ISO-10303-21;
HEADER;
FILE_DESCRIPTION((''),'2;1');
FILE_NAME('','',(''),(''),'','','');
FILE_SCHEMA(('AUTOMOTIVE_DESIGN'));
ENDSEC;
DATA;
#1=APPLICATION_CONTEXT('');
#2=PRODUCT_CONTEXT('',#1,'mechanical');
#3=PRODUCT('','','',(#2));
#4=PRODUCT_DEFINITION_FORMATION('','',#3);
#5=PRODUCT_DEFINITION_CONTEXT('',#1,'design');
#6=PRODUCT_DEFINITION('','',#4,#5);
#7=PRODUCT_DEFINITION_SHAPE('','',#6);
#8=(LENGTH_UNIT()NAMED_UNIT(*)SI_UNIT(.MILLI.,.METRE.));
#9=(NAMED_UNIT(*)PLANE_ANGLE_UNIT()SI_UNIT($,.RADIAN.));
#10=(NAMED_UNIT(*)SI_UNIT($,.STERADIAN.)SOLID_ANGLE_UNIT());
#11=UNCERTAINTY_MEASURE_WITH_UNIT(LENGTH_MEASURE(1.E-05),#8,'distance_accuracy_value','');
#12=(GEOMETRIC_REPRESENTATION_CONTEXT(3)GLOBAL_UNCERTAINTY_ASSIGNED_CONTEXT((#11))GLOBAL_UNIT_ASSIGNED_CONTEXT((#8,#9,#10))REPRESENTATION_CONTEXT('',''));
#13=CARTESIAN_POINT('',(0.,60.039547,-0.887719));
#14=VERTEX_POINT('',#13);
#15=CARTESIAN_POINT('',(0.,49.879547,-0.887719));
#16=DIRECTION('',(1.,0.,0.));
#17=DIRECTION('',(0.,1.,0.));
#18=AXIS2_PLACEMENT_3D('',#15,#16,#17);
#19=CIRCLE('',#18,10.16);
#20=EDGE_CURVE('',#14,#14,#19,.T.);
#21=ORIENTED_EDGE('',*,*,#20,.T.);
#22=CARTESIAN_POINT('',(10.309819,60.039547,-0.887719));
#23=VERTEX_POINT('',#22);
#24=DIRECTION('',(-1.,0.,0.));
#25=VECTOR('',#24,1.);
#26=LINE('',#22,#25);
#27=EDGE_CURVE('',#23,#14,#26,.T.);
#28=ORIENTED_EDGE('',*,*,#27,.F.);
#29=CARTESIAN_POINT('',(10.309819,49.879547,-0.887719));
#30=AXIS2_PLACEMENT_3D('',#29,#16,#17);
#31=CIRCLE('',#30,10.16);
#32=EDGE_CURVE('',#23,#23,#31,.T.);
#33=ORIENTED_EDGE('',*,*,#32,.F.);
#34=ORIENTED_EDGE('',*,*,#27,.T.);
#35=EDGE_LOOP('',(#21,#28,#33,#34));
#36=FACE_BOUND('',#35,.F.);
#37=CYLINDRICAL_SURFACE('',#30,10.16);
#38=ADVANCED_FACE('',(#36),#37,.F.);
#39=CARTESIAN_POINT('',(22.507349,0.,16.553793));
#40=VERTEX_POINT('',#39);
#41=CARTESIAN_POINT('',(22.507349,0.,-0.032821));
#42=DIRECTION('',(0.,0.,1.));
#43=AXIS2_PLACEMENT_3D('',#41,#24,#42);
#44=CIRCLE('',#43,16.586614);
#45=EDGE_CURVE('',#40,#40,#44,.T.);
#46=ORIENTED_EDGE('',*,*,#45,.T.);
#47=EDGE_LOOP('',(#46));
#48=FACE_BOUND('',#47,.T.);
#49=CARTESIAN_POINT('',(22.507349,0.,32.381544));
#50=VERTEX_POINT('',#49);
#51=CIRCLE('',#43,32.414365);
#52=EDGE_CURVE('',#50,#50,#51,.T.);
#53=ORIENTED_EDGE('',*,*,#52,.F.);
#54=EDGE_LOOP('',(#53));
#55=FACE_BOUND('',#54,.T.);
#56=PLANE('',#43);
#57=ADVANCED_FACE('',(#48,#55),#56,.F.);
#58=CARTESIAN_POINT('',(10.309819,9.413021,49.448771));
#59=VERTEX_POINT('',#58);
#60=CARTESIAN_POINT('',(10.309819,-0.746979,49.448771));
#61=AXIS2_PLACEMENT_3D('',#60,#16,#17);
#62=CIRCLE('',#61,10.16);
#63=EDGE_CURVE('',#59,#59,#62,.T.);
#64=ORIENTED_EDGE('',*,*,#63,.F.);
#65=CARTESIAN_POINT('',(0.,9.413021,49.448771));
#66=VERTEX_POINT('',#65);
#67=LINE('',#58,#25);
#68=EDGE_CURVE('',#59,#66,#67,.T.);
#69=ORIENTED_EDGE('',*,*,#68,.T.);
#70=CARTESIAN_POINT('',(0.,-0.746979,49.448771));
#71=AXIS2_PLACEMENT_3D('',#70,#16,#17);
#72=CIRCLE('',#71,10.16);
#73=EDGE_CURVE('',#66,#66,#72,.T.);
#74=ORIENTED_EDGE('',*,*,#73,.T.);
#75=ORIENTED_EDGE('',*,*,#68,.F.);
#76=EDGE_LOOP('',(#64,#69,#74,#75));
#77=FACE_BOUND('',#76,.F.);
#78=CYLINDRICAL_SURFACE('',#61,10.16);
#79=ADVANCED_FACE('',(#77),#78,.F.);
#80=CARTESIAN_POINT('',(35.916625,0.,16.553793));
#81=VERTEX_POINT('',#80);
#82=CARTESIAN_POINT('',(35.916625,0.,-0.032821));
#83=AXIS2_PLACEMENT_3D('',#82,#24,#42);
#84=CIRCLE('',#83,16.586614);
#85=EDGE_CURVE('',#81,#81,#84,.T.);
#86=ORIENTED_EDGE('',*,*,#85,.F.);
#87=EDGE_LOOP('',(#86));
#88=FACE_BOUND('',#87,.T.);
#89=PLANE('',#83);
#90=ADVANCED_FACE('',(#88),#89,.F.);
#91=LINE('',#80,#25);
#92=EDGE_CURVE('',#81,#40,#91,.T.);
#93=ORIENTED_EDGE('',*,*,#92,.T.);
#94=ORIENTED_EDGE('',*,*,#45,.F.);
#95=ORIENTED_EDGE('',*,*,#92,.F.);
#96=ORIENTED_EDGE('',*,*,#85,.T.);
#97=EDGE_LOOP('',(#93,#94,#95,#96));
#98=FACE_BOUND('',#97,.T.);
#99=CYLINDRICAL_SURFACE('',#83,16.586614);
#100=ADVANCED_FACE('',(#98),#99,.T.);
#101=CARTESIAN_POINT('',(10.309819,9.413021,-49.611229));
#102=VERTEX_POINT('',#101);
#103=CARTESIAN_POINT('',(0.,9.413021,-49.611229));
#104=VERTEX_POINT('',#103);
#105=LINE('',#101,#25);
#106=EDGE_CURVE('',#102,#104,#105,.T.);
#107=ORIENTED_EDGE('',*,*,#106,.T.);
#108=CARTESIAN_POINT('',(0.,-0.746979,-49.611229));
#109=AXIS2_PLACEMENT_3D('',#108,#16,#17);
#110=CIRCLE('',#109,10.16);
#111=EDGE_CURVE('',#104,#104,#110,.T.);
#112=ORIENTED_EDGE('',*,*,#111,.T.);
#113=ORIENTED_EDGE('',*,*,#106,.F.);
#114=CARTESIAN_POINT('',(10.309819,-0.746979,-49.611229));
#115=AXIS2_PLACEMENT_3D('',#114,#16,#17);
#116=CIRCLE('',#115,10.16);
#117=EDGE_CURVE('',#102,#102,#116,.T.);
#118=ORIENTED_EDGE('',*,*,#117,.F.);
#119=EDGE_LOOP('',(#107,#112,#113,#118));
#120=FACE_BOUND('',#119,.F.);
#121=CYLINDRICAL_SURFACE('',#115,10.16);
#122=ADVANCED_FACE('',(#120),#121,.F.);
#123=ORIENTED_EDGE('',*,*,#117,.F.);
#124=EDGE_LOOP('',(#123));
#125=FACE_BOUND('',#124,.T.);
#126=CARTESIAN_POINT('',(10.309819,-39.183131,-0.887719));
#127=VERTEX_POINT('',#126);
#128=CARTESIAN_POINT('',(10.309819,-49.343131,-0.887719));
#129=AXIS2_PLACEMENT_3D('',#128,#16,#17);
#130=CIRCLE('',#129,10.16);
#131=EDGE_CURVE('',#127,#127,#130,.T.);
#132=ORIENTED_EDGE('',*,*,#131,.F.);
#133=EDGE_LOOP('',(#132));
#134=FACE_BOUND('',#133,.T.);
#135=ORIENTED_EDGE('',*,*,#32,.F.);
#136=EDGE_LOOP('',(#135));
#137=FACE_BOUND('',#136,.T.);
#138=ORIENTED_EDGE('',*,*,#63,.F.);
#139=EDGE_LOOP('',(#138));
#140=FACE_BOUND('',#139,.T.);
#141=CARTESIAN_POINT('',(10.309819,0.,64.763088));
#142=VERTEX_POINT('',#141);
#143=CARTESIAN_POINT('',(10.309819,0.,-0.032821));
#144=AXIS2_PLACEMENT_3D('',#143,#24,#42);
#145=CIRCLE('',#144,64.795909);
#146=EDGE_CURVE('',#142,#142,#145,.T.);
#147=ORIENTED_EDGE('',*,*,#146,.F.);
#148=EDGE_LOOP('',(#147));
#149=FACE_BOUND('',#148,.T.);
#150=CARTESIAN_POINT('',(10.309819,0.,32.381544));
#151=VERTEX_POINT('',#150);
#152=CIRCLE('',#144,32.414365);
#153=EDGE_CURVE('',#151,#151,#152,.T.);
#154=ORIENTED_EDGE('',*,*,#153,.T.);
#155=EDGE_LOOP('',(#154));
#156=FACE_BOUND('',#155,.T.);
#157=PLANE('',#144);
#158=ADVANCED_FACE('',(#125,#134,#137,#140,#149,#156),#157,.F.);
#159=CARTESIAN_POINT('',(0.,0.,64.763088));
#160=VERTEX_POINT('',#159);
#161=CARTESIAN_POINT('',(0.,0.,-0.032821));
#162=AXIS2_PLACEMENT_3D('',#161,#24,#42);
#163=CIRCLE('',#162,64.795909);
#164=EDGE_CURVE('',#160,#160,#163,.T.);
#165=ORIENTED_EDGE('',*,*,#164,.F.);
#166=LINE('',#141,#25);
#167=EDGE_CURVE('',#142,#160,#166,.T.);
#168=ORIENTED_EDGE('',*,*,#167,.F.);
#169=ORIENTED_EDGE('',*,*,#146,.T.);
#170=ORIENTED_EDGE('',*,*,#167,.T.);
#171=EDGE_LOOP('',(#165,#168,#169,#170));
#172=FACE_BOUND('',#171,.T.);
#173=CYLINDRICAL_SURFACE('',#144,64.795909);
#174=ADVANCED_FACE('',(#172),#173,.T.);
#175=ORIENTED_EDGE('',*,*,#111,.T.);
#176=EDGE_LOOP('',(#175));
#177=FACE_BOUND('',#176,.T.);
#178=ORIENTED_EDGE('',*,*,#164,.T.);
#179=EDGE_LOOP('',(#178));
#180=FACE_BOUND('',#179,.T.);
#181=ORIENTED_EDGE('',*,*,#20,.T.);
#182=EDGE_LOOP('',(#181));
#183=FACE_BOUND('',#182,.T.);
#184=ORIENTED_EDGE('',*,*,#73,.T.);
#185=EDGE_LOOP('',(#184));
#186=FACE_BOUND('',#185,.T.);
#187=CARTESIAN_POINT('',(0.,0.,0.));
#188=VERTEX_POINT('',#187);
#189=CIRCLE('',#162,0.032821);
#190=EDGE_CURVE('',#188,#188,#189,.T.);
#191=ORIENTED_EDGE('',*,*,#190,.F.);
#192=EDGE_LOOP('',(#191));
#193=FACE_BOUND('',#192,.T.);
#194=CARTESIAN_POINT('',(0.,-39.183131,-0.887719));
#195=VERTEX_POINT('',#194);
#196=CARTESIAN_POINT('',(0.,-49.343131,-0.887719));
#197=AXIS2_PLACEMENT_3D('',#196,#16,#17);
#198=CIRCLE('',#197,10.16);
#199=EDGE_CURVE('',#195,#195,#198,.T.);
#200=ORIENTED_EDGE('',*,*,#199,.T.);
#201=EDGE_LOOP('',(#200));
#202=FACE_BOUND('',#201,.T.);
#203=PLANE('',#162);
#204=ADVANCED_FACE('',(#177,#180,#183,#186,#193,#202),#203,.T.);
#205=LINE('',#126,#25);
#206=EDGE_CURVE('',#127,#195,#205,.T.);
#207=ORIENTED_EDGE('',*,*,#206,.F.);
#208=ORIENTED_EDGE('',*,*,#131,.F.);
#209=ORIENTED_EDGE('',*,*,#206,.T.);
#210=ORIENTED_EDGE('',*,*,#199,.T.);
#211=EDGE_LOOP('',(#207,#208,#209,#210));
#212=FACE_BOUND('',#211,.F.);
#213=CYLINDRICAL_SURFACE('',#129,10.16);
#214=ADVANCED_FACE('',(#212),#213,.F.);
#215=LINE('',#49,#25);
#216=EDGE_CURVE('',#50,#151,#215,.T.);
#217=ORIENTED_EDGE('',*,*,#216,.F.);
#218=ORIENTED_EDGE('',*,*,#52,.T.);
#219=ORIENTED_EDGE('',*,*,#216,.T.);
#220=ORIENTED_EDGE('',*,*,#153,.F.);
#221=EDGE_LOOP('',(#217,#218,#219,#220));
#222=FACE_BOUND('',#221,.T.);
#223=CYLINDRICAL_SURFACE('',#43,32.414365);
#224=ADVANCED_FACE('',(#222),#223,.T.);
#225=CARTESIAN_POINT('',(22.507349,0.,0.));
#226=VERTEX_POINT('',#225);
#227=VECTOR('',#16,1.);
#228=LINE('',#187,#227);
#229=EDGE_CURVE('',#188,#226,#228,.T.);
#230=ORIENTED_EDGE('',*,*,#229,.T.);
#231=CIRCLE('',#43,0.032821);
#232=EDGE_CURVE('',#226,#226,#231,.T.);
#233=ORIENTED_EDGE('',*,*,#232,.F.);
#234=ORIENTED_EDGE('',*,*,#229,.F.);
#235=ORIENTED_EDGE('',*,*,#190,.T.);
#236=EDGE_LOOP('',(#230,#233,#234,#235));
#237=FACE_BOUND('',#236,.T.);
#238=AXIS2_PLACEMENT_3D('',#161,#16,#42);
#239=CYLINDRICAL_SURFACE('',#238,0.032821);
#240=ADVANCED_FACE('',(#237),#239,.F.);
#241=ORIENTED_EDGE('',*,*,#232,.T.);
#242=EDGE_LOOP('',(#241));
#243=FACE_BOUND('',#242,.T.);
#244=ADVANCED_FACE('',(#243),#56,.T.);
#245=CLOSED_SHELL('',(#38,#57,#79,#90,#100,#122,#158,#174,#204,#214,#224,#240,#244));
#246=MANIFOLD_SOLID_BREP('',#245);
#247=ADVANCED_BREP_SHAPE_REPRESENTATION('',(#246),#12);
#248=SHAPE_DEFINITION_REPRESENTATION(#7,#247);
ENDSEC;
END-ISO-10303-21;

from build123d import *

# Parameters (mm, degrees)
F2_R     = 10.16
F3_DEPTH = 25.4


with BuildPart() as f1:
    # F0 (on Front) → F1 (revolve)
    with BuildSketch(Plane.XZ):
        Polygon((10.309819, 64.763088), (0, 64.763088), (0, 0), (10.309819, 0), (10.309819, 32.381544), align=None)
        Polygon((10.309819, 32.381544), (10.309819, 0), (22.507349, 0), (22.507349, 16.553793), (22.507349, 32.381544), align=None)
        Polygon((22.507349, 16.553793), (22.507349, 0), (22.507349, -0.032821), (35.916625, -0.032821), (35.916625, 16.553793), align=None)
    revolve(axis=Axis((29.211987, 0, -0.032821), (-1, 0, 0)))

    # F2 (on face) → F3 (cut)
    with BuildSketch(Plane.YZ.offset(10.309819)):
        with Locations((-0.746979, 49.448771)):
            Circle(F2_R)
        with Locations((-0.746979, -49.611229)):
            Circle(F2_R)
        with Locations((49.879547, -0.887719)):
            Circle(F2_R)
        with Locations((-49.343131, -0.887719)):
            Circle(F2_R)
    extrude(amount=-F3_DEPTH, mode=Mode.SUBTRACT)


solid = f1.part
